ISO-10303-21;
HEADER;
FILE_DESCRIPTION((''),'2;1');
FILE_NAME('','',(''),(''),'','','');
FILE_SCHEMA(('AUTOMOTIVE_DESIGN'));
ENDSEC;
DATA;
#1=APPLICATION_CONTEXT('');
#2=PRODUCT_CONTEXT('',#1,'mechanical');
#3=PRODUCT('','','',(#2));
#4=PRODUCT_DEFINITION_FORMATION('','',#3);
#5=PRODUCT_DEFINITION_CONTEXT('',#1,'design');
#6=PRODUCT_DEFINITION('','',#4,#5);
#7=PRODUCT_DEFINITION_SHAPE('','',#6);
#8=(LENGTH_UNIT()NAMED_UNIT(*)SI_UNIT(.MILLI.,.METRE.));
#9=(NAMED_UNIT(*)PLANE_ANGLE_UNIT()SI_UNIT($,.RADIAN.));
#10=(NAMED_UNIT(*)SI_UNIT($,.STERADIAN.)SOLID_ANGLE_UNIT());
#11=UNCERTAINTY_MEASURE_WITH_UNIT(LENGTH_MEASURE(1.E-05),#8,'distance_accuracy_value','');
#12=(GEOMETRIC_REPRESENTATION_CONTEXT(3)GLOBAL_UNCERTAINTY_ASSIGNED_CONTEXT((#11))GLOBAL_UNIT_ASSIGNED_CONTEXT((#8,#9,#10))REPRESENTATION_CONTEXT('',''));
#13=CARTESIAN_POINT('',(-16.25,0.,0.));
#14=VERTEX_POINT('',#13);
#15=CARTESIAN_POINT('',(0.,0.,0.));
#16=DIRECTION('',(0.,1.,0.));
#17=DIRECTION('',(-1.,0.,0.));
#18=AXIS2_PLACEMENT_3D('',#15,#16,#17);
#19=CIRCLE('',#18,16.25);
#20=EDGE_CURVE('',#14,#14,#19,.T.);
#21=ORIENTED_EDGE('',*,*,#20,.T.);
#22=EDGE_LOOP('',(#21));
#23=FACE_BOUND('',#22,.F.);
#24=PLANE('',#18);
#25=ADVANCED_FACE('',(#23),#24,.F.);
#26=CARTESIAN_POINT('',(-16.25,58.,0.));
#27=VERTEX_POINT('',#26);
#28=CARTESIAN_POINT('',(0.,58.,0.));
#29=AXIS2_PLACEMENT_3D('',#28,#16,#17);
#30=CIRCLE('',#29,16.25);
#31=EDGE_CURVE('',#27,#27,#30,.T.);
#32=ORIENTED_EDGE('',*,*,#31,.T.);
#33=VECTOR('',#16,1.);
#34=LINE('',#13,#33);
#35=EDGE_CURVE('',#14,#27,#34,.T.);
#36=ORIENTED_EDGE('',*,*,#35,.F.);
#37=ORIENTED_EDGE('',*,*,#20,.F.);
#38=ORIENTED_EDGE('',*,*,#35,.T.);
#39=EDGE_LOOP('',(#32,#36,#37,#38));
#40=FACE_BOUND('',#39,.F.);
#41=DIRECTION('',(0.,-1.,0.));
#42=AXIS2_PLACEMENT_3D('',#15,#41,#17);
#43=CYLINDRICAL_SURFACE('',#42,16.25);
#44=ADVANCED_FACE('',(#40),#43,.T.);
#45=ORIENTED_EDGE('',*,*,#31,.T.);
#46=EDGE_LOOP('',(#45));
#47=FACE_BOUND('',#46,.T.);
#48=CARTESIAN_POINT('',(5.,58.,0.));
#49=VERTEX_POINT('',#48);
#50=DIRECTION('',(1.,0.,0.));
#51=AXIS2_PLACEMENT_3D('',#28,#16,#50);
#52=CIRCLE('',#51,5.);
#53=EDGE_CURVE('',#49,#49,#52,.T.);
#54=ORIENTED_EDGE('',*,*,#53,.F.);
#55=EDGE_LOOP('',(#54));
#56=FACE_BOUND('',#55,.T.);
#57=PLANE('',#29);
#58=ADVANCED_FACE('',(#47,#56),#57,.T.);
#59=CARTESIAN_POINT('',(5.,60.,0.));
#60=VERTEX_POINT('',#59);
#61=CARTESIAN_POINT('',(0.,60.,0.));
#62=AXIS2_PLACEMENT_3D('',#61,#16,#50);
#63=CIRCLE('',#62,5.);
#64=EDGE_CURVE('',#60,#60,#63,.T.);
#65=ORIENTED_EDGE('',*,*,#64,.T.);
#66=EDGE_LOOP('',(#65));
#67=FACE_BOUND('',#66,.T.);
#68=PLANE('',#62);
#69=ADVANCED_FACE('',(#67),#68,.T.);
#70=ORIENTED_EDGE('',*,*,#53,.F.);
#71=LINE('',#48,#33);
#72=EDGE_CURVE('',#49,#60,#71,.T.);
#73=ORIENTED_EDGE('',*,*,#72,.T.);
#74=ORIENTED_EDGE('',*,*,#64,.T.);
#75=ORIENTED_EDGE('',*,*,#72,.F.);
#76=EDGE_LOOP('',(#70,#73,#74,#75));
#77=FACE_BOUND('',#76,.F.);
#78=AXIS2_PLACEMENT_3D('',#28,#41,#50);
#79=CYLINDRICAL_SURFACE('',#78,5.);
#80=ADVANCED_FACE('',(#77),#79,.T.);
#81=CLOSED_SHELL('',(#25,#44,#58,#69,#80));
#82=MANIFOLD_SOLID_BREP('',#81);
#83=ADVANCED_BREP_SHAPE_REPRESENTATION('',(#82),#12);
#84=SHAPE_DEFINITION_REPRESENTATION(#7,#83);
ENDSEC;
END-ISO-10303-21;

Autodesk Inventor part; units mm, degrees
ref_plane "YZ Plane" through (0, 0, 0) normal (1, 0, 0) x (0, 1, 0)
ref_plane "XZ Plane" through (0, 0, 0) normal (0, 1, 0) x (-1, 0, 0)
ref_plane "XY Plane" through (0, 0, 0) normal (0, 0, 1) x (1, 0, 0)
sketch "スケッチ1" plane through (0, 0, 0) normal (0, 1, 0) x (-1, 0, 0)
  circle A0 centre (0, 0) radius 16.25
  dimension "d0" = 32.5
extrude "押し出し1" add sketch "スケッチ1" along normal blind 58
sketch "スケッチ2" plane through (0, 58, 0) normal (0, 1, 0) x (1, 0, 0)
  circle A0 centre (0, 0) radius 5
  dimension "d3" = 10
extrude "押し出し2" add sketch "スケッチ2" along normal blind 2
properties part number "電池"
